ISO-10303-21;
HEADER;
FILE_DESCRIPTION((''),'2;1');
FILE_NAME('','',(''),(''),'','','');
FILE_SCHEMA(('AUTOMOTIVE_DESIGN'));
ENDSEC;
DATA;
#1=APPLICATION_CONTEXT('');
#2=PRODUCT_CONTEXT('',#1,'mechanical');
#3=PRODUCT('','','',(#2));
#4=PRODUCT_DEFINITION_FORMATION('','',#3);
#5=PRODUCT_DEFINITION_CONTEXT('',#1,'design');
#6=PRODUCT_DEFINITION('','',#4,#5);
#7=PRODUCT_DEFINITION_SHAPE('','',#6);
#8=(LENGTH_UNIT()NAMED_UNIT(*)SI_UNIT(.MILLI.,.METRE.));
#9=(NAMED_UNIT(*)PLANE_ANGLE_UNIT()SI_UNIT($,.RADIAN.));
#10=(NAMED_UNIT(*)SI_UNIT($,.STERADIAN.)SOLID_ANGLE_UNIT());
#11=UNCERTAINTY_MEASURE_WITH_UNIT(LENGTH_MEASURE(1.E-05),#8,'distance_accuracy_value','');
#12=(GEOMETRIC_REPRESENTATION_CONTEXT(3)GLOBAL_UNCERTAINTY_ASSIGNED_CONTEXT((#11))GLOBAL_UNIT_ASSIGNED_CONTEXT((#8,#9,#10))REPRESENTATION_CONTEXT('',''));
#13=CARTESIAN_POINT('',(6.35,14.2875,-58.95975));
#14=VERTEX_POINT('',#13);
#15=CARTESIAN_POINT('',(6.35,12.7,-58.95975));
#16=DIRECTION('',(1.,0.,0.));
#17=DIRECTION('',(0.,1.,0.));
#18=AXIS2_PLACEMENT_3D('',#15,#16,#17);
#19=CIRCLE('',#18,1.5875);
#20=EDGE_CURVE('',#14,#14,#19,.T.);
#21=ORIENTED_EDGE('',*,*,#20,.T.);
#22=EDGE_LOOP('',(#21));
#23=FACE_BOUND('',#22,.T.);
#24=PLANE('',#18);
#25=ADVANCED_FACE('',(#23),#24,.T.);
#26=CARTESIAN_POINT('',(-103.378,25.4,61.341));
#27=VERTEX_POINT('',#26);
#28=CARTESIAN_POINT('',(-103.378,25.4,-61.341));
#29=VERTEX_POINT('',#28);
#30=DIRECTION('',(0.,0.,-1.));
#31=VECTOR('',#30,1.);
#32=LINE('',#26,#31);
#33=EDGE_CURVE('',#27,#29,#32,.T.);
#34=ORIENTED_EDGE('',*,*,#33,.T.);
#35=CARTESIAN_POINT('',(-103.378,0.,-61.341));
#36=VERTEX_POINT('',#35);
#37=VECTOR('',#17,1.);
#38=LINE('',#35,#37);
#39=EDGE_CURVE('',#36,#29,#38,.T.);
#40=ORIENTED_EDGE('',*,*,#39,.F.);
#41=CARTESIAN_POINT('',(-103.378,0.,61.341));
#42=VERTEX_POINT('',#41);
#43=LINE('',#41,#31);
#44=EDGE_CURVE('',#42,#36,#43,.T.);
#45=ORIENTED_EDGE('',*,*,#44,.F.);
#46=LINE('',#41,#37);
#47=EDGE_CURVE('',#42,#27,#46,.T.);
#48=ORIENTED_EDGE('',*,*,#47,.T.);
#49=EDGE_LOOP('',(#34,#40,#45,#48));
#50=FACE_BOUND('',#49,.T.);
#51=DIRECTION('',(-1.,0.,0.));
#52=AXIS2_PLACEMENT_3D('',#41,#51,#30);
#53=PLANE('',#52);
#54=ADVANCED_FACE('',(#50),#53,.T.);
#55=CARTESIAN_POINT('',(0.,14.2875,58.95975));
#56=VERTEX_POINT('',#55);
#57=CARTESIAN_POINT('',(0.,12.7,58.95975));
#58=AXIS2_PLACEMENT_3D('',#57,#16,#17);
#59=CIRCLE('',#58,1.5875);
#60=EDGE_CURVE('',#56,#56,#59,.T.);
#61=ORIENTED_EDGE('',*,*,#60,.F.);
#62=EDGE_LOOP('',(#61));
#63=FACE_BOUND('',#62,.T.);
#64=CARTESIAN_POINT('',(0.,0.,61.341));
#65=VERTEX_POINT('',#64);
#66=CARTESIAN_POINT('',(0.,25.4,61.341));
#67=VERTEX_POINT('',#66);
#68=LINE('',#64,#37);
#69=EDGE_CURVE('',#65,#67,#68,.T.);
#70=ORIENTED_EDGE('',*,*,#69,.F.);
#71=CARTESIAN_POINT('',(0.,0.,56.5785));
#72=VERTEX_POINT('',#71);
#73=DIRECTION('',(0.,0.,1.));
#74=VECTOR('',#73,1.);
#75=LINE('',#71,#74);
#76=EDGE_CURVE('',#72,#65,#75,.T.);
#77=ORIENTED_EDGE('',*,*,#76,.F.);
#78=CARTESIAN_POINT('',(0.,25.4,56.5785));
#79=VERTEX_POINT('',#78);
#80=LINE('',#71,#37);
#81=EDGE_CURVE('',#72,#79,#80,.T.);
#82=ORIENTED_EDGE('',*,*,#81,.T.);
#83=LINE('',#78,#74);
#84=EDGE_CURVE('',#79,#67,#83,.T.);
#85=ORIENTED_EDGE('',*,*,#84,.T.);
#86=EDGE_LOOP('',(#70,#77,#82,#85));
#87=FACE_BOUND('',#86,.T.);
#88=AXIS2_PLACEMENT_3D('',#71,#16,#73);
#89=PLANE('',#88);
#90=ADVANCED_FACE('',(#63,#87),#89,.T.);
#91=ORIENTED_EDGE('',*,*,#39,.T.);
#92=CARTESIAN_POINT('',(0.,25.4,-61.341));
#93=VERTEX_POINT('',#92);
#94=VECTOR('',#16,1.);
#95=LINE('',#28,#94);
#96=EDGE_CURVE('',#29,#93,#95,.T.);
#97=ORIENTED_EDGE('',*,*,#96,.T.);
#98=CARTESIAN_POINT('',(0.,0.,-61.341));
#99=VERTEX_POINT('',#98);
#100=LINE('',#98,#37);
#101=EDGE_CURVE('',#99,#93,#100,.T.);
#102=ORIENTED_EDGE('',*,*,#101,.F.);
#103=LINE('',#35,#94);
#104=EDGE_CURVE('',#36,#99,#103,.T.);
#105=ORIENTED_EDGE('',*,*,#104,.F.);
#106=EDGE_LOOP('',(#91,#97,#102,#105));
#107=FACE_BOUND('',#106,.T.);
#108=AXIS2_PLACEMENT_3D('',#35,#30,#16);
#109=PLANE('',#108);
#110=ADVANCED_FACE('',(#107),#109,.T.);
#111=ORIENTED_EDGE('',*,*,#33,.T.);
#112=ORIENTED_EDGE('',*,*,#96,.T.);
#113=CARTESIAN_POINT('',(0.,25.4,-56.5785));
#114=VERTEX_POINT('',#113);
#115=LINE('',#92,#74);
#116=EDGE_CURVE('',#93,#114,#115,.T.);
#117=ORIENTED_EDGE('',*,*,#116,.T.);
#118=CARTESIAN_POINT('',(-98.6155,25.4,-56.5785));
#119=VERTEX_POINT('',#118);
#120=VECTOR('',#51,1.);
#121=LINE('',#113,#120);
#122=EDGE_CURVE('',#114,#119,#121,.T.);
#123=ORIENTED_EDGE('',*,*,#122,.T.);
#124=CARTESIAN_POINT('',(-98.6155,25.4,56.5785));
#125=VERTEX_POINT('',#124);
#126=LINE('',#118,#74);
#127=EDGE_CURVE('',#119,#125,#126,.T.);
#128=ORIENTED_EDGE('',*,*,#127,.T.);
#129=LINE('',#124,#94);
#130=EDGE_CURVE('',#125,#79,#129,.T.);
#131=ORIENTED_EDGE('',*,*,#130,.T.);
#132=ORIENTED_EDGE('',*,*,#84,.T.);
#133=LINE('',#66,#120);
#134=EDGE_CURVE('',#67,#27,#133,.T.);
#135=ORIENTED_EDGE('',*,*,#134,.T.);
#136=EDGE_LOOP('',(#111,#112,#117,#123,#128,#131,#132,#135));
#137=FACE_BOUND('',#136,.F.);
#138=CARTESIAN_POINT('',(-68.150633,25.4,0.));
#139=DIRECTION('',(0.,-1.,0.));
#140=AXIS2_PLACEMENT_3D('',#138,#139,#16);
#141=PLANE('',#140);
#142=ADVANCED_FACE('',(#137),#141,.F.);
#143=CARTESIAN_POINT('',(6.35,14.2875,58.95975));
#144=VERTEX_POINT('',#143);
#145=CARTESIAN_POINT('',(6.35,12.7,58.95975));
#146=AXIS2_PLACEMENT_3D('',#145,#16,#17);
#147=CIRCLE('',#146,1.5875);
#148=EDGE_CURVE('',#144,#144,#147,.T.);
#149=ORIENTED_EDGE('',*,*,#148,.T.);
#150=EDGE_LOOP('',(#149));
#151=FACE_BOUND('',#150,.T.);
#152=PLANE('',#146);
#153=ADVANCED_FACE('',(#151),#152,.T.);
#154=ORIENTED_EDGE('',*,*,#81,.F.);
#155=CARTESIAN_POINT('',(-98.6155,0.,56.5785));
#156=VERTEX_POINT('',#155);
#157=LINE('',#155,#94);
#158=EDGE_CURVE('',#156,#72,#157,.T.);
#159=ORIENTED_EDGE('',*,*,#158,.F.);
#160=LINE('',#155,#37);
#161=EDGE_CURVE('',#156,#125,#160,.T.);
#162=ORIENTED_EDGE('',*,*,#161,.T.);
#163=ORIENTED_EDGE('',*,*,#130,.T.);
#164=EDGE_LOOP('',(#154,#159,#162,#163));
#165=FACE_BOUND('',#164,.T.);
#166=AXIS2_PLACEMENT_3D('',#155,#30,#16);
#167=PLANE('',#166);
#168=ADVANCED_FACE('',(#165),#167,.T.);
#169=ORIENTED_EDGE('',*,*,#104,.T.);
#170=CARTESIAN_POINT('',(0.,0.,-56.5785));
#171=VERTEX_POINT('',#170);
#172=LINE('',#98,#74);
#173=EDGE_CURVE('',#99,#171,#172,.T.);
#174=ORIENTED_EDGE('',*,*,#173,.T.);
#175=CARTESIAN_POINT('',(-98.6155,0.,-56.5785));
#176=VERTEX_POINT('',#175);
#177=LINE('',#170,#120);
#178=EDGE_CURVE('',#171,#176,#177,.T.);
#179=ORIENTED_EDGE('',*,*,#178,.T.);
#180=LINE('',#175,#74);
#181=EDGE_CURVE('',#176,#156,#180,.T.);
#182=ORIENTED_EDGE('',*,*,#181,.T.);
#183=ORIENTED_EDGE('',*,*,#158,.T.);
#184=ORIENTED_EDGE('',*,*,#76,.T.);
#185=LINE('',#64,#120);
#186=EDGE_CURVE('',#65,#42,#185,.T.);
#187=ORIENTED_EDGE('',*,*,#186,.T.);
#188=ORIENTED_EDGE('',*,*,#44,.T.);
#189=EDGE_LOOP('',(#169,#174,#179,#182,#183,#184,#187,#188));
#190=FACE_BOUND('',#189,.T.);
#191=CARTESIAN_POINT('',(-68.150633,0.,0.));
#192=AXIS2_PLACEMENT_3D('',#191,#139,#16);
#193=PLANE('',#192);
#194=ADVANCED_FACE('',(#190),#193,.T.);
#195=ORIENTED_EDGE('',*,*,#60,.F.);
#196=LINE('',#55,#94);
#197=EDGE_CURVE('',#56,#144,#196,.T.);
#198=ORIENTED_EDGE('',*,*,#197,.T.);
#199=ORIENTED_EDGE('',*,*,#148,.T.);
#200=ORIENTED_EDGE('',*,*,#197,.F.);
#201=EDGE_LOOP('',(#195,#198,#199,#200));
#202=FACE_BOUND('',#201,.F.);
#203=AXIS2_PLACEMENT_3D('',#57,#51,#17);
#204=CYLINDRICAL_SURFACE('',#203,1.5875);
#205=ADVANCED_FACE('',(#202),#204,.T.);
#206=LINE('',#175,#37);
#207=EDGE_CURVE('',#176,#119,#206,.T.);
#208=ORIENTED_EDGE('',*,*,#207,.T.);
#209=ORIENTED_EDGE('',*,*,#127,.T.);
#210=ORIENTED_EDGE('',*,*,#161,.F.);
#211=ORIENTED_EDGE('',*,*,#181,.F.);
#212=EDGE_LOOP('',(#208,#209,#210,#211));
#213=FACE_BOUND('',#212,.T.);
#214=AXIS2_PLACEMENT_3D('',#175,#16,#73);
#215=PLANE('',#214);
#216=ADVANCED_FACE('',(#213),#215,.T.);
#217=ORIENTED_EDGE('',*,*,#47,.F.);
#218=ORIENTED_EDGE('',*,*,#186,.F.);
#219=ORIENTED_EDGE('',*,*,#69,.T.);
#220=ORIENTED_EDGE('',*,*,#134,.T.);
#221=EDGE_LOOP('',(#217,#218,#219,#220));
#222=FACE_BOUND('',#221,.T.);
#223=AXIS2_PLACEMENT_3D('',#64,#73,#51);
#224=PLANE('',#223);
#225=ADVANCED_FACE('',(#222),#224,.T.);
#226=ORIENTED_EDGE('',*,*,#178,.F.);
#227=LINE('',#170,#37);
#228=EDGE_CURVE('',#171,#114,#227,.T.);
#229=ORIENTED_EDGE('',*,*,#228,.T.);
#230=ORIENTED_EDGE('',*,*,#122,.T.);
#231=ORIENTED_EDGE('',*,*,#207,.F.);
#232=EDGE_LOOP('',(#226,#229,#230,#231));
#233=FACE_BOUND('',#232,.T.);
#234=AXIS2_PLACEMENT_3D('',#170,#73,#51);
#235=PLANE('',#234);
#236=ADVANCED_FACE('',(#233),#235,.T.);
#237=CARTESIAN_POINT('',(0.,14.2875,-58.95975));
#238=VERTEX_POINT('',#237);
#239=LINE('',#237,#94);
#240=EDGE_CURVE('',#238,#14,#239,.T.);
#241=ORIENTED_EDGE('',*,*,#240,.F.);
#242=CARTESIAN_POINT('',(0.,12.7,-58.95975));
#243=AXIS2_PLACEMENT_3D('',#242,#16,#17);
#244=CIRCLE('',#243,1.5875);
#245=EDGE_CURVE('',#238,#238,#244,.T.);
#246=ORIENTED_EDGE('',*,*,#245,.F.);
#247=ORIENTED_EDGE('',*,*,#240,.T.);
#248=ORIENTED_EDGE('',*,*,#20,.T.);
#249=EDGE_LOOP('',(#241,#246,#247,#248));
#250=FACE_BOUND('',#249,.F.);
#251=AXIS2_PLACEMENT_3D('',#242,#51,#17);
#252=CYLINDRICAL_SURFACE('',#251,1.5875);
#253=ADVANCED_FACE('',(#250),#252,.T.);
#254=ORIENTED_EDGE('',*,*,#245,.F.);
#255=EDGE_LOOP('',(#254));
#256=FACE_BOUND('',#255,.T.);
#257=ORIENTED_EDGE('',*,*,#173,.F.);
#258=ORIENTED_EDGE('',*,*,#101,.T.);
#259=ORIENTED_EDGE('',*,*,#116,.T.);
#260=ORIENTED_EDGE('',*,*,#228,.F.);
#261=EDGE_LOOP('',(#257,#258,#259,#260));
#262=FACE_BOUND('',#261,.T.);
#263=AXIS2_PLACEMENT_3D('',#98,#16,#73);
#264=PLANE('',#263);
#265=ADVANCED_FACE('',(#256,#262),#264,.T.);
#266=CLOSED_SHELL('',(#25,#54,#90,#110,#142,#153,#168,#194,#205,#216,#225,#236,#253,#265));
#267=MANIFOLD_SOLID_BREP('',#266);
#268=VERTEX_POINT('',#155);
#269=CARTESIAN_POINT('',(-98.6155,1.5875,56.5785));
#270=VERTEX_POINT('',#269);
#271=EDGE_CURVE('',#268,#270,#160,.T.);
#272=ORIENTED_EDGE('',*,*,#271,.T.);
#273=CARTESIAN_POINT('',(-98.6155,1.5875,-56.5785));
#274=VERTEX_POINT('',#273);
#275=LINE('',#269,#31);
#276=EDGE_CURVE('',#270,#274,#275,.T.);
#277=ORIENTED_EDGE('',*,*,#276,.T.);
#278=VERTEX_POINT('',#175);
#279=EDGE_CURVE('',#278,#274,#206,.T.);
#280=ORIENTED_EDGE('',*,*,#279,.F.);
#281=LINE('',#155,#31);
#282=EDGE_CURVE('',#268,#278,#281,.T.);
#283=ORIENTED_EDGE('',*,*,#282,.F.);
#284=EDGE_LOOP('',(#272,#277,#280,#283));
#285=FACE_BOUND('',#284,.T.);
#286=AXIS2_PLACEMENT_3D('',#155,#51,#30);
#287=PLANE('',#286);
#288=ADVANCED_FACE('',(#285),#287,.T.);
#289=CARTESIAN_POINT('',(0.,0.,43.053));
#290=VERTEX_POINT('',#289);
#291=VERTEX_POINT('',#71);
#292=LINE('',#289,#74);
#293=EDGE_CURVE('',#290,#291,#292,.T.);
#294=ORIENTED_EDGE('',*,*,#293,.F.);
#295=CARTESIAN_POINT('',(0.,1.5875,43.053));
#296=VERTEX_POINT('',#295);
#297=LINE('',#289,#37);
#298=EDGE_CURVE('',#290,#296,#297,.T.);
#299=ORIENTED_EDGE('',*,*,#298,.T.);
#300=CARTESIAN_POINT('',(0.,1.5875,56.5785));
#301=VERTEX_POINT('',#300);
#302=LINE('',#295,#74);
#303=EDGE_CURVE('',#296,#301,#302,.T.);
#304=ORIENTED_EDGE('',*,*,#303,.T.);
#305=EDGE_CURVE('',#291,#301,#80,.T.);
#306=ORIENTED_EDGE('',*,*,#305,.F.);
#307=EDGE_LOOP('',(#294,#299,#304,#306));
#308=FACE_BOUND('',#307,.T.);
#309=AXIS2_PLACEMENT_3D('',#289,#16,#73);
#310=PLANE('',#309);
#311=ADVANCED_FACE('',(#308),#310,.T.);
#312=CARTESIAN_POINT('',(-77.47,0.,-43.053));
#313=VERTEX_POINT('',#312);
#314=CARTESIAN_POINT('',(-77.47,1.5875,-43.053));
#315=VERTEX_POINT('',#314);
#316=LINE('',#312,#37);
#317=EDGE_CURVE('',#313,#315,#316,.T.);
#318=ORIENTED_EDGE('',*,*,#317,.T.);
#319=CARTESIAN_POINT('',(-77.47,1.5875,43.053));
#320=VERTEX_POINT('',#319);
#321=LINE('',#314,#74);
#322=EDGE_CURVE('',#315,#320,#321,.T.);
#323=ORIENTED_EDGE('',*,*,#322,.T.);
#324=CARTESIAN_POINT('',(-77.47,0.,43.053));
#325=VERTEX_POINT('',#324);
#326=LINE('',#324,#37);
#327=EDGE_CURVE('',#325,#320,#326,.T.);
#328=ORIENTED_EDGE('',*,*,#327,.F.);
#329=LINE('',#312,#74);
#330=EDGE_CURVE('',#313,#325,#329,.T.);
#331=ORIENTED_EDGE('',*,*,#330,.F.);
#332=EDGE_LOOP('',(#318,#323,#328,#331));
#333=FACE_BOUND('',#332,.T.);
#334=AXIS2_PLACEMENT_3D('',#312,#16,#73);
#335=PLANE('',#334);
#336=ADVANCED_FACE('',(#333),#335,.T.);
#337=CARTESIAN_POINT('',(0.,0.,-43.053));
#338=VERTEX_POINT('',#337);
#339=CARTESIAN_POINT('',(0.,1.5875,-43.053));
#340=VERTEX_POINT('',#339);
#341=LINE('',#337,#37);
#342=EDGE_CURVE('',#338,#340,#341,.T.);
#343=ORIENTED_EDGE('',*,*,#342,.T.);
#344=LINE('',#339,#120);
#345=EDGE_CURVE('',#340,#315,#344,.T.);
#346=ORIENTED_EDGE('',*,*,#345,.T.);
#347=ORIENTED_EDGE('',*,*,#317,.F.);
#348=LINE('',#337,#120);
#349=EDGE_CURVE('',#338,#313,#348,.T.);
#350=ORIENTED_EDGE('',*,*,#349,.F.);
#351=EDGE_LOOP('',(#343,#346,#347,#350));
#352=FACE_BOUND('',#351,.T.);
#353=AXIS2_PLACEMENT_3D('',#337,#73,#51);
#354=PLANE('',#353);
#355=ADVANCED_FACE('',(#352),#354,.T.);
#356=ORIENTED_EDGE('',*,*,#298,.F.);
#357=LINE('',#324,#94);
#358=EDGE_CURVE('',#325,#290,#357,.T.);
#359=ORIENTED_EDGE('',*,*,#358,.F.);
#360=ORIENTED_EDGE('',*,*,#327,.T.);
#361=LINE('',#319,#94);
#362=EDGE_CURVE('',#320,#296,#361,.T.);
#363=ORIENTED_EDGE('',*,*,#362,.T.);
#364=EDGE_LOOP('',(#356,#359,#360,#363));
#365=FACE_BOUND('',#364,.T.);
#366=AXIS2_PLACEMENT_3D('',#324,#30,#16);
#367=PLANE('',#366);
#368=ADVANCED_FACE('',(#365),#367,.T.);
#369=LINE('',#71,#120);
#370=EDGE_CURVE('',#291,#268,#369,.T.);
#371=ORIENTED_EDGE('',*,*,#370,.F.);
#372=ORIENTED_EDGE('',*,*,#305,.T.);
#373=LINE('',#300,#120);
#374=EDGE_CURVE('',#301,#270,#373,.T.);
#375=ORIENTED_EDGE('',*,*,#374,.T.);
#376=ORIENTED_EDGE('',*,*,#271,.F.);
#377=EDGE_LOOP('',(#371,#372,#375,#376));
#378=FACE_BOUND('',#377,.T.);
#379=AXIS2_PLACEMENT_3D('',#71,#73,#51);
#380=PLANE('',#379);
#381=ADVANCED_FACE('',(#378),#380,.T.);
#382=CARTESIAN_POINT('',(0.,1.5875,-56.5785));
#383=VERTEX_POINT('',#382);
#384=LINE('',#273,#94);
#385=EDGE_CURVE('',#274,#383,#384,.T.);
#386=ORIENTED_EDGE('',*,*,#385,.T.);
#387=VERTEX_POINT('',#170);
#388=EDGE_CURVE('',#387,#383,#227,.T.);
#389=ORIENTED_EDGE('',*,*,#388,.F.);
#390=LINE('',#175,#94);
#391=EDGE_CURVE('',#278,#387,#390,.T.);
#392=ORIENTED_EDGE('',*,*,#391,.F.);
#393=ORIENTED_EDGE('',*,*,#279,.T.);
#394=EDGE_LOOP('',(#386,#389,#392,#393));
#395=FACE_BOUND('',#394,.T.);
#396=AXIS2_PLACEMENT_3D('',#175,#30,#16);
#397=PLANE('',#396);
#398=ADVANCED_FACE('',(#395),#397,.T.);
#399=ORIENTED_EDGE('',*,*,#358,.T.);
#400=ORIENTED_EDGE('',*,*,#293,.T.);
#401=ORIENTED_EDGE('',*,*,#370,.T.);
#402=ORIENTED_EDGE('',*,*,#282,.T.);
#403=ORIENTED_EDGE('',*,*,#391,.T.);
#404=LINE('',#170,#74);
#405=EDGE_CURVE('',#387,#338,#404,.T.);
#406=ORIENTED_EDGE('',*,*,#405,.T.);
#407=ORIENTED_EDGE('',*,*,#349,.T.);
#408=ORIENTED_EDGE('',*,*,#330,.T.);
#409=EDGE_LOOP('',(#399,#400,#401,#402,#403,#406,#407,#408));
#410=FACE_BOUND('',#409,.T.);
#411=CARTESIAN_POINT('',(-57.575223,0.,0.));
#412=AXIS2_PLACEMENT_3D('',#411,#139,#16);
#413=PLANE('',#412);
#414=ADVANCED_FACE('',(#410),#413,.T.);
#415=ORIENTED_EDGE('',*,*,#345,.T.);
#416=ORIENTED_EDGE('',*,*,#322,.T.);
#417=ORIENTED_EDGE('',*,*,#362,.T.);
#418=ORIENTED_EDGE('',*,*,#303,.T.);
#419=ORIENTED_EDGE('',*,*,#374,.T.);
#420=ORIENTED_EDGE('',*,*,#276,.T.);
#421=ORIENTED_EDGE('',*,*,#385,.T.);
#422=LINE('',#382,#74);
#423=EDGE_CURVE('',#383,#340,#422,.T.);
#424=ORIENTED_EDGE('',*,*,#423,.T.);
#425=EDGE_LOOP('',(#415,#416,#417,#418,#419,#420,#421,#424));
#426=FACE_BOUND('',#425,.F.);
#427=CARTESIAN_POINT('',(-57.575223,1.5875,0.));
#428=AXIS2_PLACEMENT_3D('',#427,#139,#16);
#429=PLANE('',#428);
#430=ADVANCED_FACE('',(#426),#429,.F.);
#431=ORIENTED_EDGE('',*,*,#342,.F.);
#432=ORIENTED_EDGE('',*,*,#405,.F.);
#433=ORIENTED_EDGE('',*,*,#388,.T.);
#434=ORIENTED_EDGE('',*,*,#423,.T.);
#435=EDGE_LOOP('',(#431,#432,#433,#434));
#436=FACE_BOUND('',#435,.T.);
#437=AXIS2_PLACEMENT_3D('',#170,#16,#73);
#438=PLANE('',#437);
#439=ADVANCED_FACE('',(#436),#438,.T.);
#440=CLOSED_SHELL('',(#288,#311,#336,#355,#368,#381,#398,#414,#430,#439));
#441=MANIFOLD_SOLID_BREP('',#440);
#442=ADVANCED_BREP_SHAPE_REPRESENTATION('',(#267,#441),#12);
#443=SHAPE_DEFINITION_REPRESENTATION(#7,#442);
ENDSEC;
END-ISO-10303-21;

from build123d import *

# Parameters (mm, degrees)
F1_DEPTH = 1.5875
F2_DEPTH = 25.4
F3_R     = 1.5875
F4_DEPTH = 6.35
F5_R     = 1.5875
F6_DEPTH = 6.35


with BuildPart() as f1:
    # F0 (on Front) → F1 (new body)
    with BuildSketch(Plane.XZ):
        Polygon((-77.47, 43.053), (0, 43.053), (0, 54.991), (-97.028, 54.991), (-97.028, -54.991), (0, -54.991), (0, -43.053), (-77.47, -43.053), align=None)
        Polygon((-97.028, 54.991), (0, 54.991), (0, 56.5785), (-98.6155, 56.5785), (-98.6155, -56.5785), (0, -56.5785), (0, -54.991), (-97.028, -54.991), align=None)
    extrude(amount=-F1_DEPTH)


with BuildPart() as f2:
    # F0 (on Front) → F2 (new body)
    with BuildSketch(Plane.XZ):
        Polygon((-98.6155, 56.5785), (0, 56.5785), (0, 61.341), (-103.378, 61.341), (-103.378, -61.341), (0, -61.341), (0, -56.5785), (-98.6155, -56.5785), align=None)
    extrude(amount=-F2_DEPTH)

    # F3 (on face) → F4 (join)
    with BuildSketch(Plane.YZ):
        with Locations((12.7, -58.95975)):
            Circle(F3_R)
    extrude(amount=F4_DEPTH)

    # F5 (on face) → F6 (join)
    with BuildSketch(Plane.YZ):
        with Locations((12.7, 58.95975)):
            Circle(F5_R)
    extrude(amount=F6_DEPTH)


solid = Compound([f1.part, f2.part])
